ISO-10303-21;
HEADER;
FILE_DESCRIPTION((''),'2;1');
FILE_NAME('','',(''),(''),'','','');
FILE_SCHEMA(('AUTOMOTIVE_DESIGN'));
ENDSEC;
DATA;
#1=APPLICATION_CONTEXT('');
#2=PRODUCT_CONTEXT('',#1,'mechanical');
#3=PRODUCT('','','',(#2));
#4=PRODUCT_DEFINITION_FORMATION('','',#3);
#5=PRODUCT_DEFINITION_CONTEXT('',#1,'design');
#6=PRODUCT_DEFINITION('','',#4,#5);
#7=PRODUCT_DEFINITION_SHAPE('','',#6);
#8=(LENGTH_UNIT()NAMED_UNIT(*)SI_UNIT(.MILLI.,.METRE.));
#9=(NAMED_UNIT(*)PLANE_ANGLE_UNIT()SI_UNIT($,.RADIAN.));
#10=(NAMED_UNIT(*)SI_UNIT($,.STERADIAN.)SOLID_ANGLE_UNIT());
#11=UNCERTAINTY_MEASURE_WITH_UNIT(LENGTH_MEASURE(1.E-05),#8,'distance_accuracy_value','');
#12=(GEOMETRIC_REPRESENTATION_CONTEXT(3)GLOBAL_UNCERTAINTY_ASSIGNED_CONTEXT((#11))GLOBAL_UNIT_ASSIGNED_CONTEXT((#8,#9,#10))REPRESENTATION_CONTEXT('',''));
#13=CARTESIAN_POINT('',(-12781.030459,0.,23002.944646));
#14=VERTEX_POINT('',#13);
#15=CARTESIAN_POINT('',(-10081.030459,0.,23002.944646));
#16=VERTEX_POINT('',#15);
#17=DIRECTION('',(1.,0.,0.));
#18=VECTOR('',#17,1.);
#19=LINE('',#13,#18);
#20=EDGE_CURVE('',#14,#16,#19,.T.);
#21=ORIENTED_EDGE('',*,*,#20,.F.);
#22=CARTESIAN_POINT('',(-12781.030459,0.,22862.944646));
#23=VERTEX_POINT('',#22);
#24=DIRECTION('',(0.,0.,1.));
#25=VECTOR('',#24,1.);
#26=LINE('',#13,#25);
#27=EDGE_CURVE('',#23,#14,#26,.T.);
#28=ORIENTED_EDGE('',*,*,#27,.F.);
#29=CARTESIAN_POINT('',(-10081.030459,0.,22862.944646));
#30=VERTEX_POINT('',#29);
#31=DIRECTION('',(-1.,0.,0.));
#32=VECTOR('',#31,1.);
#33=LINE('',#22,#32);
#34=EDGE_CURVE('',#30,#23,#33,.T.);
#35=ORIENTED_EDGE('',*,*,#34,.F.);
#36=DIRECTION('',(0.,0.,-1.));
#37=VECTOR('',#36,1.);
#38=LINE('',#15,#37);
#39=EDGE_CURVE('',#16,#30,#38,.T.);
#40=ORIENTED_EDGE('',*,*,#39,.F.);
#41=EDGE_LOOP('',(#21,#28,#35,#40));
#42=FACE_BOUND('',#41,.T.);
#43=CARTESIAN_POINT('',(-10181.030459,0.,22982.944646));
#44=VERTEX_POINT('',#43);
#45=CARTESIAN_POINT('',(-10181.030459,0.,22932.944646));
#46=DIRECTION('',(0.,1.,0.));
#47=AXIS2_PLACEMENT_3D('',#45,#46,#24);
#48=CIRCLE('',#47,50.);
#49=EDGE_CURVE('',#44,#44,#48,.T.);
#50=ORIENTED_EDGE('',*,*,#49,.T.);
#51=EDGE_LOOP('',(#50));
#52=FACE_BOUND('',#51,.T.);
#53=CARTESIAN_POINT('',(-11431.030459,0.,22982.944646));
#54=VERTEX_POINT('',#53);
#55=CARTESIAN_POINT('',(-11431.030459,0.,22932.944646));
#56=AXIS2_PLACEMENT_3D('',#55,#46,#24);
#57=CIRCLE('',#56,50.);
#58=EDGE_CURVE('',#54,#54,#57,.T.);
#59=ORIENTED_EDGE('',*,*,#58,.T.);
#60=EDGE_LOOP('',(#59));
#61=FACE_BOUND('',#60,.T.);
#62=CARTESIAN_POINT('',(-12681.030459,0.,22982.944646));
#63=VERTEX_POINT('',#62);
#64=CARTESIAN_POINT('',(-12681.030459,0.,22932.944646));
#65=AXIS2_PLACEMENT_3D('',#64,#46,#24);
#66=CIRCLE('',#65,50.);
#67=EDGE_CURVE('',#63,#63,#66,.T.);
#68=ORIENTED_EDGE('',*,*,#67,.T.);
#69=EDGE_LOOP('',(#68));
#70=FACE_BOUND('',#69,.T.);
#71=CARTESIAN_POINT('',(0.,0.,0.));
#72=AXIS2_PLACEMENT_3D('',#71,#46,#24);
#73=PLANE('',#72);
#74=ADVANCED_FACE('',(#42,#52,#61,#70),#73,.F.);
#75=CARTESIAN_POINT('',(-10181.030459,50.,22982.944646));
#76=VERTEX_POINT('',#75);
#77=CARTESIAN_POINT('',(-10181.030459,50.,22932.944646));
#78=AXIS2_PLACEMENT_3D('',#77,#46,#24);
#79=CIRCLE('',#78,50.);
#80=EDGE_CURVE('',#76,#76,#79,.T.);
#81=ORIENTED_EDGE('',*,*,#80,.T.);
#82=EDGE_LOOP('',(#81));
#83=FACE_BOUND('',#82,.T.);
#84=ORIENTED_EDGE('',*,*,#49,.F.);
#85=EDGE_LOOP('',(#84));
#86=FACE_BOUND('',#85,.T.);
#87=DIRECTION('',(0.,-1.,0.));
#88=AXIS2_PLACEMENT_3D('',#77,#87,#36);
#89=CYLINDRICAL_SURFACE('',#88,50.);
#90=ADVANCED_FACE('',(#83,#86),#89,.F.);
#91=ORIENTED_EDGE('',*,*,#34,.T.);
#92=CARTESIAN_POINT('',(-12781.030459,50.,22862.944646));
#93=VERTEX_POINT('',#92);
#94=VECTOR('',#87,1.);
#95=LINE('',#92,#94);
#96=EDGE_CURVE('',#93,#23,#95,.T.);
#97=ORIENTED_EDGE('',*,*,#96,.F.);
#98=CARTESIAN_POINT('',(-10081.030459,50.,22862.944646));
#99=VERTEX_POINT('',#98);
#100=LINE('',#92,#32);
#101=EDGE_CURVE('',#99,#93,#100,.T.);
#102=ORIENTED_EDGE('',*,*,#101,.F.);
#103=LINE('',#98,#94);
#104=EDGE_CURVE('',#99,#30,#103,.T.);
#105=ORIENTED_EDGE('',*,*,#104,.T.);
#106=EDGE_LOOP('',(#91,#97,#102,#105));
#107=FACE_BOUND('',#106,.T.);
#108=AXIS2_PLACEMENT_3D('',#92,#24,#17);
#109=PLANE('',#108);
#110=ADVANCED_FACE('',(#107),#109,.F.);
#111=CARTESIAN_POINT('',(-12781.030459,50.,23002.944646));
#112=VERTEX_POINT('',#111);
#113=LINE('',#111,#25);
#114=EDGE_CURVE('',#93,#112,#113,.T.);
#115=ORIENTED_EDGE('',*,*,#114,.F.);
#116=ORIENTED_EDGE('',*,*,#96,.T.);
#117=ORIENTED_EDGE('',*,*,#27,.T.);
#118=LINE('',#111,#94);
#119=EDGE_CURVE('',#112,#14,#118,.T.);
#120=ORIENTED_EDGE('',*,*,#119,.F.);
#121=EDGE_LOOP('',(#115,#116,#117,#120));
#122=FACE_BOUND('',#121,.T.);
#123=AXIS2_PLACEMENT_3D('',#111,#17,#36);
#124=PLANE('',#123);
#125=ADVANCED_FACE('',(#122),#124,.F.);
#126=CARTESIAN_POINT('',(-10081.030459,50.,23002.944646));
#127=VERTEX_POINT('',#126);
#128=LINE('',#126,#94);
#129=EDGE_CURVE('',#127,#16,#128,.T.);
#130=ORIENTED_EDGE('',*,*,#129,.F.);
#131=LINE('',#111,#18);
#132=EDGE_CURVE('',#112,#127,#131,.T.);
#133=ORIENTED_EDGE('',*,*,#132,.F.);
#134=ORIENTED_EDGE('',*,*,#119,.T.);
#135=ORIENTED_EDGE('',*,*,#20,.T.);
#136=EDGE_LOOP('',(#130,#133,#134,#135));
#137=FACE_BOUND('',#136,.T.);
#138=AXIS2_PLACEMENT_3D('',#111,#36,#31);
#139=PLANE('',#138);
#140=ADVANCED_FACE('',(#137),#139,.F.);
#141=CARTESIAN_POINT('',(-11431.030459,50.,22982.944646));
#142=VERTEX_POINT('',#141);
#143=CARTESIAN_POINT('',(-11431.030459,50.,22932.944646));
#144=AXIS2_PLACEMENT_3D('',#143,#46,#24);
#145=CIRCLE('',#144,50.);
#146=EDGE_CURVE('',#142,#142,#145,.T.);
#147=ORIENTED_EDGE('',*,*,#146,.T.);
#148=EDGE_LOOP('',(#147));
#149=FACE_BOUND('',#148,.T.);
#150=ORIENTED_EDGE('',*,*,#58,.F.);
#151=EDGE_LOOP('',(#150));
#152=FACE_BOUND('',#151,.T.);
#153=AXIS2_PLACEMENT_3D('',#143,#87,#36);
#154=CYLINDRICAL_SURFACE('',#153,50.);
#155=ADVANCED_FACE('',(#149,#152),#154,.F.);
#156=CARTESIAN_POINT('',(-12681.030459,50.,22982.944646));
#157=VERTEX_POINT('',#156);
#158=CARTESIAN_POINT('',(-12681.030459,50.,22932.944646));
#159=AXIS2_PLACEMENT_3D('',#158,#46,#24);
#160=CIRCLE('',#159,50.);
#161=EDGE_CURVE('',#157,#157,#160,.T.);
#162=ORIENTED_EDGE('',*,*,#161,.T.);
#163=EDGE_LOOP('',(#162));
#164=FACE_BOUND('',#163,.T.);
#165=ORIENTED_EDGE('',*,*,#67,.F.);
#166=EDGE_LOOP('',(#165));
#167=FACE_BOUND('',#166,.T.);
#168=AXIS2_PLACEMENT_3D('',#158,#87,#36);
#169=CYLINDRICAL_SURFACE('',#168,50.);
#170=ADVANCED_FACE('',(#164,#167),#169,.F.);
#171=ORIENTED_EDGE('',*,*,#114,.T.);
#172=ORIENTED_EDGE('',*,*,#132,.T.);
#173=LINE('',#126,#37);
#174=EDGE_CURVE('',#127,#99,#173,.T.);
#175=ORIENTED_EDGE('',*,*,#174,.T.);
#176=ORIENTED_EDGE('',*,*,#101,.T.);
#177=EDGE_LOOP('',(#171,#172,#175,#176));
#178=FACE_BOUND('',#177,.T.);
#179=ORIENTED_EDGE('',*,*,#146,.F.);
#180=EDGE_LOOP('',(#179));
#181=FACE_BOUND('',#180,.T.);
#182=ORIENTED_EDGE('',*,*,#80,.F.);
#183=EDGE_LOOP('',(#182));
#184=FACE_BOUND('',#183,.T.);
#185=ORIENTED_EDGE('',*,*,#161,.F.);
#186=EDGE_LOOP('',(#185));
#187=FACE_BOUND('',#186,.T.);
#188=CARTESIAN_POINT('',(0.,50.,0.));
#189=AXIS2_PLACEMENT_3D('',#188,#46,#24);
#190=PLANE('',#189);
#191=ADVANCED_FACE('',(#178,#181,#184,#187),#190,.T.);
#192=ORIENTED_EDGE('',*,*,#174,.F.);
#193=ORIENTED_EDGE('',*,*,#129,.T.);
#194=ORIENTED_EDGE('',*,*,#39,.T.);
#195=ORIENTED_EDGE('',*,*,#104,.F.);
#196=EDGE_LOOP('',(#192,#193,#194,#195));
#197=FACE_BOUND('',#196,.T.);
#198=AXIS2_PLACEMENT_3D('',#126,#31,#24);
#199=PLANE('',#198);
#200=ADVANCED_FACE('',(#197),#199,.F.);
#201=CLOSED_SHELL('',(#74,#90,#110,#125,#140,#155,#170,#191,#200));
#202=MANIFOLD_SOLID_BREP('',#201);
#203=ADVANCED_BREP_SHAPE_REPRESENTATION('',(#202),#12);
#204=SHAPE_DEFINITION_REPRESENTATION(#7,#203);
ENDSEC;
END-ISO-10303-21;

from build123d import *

# Parameters (mm, degrees)
SKETCH2_W           = 140
SKETCH2_H           = 2700
SKETCH2_R           = 50
BOSS_EXTRUDE1_DEPTH = 50


with BuildPart() as part:
    # Sketch2 → Boss-Extrude1 (new body)
    with BuildSketch(Plane.ZX):
        with Locations((22932.944645813, -11431.030459334)):
            Rectangle(SKETCH2_W, SKETCH2_H)
        with Locations((22932.944645813, -12681.030459334)):
            Circle(SKETCH2_R, mode=Mode.SUBTRACT)
        with Locations((22932.944645813, -11431.030459334)):
            Circle(SKETCH2_R, mode=Mode.SUBTRACT)
        with Locations((22932.944645813, -10181.030459334)):
            Circle(SKETCH2_R, mode=Mode.SUBTRACT)
    extrude(amount=BOSS_EXTRUDE1_DEPTH)


solid = part.part
